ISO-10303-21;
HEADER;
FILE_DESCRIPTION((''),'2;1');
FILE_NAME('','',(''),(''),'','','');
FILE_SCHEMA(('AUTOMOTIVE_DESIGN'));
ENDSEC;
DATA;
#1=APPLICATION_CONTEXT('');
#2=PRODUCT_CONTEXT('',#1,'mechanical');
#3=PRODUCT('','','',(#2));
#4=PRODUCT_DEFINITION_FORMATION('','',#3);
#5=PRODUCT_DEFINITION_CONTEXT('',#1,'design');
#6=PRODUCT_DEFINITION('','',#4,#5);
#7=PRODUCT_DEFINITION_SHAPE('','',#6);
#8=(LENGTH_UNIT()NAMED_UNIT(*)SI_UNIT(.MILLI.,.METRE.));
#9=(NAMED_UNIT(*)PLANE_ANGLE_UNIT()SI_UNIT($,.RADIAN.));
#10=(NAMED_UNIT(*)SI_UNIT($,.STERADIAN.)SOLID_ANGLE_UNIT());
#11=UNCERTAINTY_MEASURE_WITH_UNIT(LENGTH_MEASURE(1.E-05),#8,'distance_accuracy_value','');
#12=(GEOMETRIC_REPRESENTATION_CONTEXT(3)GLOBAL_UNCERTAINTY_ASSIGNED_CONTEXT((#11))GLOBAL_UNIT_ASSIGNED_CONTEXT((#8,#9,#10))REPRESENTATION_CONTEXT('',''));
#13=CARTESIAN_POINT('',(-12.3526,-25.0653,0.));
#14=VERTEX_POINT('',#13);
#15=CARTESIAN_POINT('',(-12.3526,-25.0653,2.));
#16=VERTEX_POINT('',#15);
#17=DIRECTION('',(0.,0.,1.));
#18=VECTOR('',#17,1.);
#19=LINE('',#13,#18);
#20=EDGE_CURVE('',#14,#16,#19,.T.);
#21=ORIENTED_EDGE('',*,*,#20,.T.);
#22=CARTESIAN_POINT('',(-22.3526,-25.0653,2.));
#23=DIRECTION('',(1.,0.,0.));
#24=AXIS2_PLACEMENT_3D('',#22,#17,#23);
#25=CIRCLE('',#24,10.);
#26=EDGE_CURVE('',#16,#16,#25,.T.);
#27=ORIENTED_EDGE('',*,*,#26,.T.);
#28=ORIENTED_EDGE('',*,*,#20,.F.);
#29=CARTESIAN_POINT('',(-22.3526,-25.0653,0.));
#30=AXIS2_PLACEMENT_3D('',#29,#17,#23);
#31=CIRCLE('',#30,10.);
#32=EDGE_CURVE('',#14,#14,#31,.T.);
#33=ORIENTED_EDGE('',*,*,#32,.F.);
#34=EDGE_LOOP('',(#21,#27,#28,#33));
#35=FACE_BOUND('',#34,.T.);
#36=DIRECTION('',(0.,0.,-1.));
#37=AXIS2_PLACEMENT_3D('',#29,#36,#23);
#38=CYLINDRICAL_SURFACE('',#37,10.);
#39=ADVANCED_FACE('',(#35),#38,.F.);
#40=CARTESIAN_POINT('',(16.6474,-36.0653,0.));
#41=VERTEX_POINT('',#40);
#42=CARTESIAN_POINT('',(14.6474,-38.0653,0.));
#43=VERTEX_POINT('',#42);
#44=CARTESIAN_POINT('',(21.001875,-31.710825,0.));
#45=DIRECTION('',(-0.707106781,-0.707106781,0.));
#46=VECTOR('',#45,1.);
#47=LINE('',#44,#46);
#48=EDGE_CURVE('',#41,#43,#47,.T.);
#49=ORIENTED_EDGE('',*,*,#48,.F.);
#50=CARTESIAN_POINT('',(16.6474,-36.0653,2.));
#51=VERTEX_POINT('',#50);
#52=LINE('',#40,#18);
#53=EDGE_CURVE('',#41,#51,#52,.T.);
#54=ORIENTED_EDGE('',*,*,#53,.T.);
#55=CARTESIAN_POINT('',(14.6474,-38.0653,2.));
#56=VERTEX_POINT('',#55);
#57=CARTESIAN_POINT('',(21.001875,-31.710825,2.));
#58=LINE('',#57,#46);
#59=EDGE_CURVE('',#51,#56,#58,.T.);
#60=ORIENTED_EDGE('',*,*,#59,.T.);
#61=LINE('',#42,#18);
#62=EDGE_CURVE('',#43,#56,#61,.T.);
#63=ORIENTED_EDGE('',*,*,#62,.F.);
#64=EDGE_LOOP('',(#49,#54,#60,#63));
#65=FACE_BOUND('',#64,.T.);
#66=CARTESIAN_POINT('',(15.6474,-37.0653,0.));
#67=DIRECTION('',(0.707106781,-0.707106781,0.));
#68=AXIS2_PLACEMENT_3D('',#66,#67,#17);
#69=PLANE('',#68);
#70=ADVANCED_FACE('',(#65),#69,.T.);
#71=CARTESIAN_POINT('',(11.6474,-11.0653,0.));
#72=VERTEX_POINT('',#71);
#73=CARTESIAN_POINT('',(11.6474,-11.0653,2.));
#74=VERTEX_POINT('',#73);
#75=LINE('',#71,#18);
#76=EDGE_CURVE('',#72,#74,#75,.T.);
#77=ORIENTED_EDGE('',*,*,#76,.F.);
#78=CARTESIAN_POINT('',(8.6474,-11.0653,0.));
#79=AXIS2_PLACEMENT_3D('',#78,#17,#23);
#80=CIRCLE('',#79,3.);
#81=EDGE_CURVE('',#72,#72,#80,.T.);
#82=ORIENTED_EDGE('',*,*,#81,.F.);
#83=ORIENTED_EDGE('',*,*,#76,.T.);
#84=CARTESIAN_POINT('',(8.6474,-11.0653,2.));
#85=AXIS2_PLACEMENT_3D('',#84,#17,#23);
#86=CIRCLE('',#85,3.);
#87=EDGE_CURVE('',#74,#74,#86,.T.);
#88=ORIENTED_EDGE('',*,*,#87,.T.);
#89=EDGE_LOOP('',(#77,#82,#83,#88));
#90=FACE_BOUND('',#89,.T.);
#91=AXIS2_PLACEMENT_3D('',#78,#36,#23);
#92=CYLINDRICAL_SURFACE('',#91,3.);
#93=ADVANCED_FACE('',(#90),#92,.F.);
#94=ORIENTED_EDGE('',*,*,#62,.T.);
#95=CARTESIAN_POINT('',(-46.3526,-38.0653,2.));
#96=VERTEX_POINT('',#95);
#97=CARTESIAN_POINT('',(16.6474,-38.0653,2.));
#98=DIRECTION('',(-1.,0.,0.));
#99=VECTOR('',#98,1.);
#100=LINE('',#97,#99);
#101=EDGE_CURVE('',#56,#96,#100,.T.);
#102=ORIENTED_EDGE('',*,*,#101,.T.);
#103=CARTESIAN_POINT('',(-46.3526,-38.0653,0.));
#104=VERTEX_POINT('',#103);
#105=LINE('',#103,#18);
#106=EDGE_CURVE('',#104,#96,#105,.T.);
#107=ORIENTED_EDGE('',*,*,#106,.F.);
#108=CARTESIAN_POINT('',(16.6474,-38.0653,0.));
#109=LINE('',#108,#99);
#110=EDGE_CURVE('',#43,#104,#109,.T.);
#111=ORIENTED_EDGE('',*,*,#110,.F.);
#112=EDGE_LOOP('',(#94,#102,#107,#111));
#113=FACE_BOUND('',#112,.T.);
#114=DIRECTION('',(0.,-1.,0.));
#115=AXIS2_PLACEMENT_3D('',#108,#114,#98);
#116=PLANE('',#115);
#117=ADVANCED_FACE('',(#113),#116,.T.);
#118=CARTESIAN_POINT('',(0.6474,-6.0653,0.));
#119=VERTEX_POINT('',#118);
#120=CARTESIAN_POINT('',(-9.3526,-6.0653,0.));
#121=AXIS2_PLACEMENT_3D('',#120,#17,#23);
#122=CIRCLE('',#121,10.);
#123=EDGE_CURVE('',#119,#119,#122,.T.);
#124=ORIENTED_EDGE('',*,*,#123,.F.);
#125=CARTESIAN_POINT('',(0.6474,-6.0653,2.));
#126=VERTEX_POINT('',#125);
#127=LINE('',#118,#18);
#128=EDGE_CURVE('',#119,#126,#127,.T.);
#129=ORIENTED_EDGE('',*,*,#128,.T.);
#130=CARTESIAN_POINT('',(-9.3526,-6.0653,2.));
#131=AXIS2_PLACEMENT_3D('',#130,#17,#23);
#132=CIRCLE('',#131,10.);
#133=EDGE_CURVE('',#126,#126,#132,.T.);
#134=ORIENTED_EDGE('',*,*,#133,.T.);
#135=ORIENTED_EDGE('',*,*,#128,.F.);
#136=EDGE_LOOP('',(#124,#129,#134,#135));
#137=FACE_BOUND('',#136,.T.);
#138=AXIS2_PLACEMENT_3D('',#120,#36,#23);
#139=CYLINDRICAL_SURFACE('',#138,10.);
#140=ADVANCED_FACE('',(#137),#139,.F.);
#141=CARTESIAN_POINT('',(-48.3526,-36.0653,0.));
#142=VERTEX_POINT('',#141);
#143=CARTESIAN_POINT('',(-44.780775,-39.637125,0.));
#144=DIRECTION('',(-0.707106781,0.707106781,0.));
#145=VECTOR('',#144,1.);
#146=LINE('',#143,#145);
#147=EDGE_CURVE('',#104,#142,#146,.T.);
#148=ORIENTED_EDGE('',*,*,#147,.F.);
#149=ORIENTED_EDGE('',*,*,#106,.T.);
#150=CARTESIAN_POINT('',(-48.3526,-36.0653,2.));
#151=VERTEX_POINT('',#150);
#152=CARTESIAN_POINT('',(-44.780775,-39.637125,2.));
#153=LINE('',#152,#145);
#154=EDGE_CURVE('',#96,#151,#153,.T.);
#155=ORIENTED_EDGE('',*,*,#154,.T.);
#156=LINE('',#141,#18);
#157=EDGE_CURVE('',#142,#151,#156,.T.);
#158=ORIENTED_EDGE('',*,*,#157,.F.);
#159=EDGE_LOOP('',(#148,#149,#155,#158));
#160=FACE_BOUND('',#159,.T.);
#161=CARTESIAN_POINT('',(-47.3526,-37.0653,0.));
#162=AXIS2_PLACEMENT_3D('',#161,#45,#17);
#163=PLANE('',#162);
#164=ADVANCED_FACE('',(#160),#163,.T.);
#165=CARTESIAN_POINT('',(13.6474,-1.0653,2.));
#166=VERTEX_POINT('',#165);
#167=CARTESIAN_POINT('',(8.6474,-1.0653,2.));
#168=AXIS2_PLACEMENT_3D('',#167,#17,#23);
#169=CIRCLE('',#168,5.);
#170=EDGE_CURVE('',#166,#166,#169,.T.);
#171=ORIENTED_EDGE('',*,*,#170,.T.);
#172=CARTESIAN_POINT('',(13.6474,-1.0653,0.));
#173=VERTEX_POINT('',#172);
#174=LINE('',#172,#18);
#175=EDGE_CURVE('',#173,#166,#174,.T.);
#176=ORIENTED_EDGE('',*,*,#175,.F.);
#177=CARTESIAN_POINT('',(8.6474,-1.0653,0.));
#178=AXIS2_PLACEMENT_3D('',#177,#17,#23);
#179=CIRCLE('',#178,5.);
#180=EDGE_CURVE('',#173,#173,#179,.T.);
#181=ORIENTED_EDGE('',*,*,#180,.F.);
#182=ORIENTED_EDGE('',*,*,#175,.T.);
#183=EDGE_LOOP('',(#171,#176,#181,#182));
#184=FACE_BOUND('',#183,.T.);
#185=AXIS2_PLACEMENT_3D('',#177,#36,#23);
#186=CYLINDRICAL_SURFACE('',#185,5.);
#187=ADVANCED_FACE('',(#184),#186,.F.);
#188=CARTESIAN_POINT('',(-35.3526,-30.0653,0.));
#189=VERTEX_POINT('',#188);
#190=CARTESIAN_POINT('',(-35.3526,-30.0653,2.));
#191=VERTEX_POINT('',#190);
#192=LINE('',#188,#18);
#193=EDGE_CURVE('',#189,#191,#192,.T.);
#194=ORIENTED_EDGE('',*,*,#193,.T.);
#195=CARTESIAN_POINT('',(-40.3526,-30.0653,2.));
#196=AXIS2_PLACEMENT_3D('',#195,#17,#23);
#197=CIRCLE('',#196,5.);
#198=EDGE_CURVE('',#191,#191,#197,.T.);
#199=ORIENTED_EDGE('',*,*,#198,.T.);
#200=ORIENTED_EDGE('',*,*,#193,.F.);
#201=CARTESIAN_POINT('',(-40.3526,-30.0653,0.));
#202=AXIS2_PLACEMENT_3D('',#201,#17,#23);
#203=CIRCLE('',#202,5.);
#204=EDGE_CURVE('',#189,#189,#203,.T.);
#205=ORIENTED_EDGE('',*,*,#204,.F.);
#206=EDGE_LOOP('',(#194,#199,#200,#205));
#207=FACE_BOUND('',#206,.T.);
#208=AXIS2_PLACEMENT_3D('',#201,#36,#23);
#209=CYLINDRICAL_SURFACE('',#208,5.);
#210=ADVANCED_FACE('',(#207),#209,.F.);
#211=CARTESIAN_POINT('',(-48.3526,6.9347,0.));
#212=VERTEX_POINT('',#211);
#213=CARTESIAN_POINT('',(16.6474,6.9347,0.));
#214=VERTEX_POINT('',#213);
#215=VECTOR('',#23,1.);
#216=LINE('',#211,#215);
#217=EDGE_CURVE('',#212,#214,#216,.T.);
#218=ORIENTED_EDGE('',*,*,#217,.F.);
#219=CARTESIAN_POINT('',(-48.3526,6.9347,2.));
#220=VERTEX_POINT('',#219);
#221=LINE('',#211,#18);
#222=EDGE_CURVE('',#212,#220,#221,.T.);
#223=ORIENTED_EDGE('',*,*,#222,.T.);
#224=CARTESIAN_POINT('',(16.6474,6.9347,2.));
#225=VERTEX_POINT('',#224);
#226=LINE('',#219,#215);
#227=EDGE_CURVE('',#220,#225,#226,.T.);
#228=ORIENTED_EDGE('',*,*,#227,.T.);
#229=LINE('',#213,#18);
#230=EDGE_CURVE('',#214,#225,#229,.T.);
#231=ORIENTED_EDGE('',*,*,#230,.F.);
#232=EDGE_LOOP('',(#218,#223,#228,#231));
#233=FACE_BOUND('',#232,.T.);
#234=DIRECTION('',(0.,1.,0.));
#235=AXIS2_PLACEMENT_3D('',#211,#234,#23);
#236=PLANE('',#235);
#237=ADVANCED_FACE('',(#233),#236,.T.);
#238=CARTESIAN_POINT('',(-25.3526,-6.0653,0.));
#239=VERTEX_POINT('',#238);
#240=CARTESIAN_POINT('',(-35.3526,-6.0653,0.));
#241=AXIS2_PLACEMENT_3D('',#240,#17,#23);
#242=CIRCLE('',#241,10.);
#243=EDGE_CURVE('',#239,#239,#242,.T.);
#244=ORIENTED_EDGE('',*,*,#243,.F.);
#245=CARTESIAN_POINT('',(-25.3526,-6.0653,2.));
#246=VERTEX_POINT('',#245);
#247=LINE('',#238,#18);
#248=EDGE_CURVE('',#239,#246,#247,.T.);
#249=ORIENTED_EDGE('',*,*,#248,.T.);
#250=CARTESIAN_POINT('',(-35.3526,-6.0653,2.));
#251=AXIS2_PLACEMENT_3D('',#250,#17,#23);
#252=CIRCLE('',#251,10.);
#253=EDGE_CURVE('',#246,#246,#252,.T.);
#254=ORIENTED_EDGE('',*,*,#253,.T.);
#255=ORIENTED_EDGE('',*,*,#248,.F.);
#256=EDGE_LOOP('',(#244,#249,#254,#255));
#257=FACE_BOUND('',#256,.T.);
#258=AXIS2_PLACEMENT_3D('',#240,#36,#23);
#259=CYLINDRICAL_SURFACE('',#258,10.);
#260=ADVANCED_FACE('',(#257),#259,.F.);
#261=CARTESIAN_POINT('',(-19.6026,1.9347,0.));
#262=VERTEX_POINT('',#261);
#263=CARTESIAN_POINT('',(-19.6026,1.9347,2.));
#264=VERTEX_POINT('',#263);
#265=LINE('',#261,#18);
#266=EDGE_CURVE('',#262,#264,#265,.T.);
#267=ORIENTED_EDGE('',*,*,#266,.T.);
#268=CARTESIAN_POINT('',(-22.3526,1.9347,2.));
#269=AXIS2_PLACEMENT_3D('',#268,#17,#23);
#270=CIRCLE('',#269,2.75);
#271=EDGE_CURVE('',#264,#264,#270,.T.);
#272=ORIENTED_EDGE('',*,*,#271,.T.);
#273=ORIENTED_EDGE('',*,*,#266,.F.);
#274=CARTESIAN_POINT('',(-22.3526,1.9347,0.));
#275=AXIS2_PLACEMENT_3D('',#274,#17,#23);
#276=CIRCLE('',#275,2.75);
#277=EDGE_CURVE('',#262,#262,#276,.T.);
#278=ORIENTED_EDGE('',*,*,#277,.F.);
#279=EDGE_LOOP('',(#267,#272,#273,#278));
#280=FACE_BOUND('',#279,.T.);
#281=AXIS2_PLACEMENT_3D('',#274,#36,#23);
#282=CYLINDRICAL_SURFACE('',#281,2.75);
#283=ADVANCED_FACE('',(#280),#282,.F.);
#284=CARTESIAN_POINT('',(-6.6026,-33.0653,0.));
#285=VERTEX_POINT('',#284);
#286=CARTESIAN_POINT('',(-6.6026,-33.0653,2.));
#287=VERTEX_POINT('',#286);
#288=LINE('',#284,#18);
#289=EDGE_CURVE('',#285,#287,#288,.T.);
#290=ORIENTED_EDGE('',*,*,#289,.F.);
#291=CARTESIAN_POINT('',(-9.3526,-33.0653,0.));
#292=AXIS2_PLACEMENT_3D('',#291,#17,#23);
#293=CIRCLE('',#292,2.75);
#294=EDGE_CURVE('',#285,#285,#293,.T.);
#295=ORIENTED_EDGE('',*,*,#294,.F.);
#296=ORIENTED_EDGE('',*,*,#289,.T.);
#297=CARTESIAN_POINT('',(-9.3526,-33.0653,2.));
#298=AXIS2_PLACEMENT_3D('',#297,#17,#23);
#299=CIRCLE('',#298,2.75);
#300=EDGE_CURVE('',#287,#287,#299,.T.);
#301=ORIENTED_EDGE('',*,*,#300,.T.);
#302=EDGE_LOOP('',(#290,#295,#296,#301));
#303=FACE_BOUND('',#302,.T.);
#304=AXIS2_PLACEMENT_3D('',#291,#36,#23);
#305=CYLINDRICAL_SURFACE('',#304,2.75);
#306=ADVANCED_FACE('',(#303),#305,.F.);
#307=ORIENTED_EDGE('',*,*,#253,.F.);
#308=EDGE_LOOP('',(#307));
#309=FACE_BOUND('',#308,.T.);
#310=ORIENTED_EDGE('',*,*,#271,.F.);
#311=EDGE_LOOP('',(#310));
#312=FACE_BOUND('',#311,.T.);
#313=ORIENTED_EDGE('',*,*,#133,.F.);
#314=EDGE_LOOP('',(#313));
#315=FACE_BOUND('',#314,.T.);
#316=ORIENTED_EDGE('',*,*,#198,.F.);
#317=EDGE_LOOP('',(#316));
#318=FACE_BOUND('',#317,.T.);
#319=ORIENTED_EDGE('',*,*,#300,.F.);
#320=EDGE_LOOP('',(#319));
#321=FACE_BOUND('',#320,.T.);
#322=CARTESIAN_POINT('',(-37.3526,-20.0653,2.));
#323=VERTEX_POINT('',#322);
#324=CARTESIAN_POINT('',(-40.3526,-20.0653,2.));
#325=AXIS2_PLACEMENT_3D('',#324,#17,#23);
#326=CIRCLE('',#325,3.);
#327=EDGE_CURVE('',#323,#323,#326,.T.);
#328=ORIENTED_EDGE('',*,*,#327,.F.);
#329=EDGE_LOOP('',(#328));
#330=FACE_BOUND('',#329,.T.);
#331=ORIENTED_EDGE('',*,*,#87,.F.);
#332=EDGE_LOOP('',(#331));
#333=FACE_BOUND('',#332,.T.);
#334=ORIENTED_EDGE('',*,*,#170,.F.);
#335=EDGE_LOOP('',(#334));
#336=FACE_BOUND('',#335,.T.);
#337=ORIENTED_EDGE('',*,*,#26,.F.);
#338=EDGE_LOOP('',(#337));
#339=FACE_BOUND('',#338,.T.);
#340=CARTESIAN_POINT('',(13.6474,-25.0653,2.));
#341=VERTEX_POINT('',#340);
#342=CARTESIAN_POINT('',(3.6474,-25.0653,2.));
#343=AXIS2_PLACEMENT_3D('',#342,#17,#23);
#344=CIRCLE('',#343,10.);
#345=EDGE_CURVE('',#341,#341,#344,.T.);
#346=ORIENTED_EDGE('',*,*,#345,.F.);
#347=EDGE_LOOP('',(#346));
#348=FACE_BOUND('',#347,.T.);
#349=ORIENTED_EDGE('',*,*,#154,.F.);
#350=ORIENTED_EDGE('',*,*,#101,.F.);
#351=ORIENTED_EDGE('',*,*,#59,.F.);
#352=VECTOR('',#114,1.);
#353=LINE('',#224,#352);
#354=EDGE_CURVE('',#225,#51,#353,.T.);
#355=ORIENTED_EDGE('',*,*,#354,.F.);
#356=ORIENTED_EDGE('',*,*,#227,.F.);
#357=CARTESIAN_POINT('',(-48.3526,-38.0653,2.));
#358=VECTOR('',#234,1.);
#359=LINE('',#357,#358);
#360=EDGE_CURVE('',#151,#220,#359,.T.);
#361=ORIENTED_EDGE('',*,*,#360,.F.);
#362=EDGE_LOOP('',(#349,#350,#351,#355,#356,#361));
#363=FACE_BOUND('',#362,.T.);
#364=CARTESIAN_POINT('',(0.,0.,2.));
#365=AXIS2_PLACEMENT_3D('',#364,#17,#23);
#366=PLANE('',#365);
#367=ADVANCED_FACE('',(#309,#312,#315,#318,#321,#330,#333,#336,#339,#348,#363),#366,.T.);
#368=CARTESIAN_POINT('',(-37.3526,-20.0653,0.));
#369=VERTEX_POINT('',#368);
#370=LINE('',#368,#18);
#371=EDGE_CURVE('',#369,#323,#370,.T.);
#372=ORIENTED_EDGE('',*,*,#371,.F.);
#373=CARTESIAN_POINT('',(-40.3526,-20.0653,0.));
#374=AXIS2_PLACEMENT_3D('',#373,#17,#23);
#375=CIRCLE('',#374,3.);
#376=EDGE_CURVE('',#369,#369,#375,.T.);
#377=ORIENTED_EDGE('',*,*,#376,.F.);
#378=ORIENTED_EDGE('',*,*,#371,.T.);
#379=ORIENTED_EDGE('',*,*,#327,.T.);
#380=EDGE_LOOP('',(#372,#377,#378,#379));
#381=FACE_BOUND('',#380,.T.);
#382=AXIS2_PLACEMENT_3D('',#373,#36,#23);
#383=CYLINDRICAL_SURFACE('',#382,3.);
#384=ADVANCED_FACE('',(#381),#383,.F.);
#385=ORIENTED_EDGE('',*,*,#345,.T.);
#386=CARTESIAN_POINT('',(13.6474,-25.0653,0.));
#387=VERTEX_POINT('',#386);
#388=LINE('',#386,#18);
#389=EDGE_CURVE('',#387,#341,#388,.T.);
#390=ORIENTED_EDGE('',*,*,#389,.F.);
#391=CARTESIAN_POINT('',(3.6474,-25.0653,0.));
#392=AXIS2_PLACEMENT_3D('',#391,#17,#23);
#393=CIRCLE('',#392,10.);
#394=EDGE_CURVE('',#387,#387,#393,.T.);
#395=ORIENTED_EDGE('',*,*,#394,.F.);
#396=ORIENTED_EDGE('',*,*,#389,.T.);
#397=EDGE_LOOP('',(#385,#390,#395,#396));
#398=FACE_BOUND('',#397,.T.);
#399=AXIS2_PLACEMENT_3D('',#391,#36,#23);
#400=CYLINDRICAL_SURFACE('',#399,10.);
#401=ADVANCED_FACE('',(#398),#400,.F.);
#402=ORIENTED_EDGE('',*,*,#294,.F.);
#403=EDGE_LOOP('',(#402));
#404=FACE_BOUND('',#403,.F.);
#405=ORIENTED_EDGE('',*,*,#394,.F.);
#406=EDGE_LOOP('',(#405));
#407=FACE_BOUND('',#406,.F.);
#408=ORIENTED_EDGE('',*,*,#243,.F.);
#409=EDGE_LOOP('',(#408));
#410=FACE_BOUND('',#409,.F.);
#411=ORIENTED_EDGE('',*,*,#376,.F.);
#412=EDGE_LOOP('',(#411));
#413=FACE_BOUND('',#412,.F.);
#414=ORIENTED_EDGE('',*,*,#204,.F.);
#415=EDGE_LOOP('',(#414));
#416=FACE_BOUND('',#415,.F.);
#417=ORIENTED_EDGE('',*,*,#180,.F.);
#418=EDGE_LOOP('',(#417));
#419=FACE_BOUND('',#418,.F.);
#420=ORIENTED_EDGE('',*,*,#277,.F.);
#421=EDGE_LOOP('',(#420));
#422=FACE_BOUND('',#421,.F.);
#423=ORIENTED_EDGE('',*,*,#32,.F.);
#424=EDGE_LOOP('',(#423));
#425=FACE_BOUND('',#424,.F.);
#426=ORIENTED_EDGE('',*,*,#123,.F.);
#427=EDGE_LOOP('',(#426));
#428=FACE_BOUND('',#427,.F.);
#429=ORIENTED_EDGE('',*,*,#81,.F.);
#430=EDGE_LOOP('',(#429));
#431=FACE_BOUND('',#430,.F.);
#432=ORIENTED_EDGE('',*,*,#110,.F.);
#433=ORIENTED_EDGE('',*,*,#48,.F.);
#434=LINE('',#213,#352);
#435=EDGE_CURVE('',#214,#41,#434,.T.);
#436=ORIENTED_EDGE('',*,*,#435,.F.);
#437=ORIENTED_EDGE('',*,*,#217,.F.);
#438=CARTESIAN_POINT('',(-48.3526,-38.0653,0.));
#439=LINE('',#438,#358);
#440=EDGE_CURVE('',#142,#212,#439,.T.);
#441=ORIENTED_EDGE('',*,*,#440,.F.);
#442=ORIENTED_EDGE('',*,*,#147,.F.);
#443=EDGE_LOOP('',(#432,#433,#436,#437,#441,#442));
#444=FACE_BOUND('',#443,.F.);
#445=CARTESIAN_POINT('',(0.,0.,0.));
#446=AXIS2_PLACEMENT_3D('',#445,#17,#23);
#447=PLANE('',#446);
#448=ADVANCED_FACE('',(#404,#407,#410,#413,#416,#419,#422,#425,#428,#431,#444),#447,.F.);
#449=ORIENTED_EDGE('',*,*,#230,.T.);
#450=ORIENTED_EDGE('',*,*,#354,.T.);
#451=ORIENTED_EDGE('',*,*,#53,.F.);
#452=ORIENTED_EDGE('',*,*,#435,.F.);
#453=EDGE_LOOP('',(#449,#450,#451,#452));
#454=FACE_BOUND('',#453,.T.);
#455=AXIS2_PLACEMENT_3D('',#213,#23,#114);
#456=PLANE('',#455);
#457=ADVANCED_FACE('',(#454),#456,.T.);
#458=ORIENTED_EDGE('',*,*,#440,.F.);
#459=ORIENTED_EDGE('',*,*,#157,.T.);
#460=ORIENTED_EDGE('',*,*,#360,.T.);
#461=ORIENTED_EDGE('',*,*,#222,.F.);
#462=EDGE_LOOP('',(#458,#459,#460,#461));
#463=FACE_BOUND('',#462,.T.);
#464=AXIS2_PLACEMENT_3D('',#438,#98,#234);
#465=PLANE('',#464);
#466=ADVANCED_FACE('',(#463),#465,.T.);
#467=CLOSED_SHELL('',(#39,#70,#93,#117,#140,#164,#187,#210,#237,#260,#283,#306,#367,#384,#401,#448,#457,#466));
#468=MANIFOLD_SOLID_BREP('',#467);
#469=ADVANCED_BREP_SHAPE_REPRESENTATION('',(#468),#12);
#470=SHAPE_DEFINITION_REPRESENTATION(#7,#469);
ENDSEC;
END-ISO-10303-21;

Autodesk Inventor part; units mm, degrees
ref_plane "YZ Plane" through (0, 0, 0) normal (1, 0, 0) x (0, 1, 0)
ref_plane "XZ Plane" through (0, 0, 0) normal (0, 1, 0) x (-1, 0, 0)
ref_plane "XY Plane" through (0, 0, 0) normal (0, 0, 1) x (1, 0, 0)
sketch "Sketch1" plane through (0, 0, 0) normal (0, 0, 1) x (1, 0, 0)
  line L0 (-48.3526, 6.9347) -> (16.6474, 6.9347)
  line L1 (16.6474, 6.9347) -> (16.6474, -38.0653)
  line L2 (16.6474, -38.0653) -> (-48.3526, -38.0653)
  line L3 (-48.3526, -38.0653) -> (-48.3526, 6.9347)
  circle A0 centre (-35.3526, -6.0653) radius 10
  circle A1 centre (-22.3526, -25.0653) radius 10
  circle A2 centre (-9.3526, -6.0653) radius 10
  circle A3 centre (3.6474, -25.0653) radius 10
  circle A4 centre (-40.3526, -30.0653) radius 5
  circle A5 centre (8.6474, -1.0653) radius 5
  circle A6 centre (-40.3526, -20.0653) radius 3
  circle A7 centre (8.6474, -11.0653) radius 3
  circle A8 centre (-9.3526, -33.0653) radius 2.75
  circle A9 centre (-22.3526, 1.9347) radius 2.75
  dimension "d1" = 65
  dimension "d2" = 45
  dimension "d3" = 20
  dimension "d10" = 13
  dimension "d11" = 13
  dimension "d40" = 20
  dimension "d41" = 20
  dimension "d42" = 20
  dimension "d43" = 13
  dimension "d44" = 13
  dimension "d45" = 39
  dimension "d46" = 39
  dimension "d47" = 10
  dimension "d48" = 10
  dimension "d49" = 8
  dimension "d50" = 8
  dimension "d51" = 8
  dimension "d52" = 8
  dimension "d53" = 6
  dimension "d54" = 6
  dimension "d55" = 18
  dimension "d56" = 18
  dimension "d57" = 5.5
  dimension "d58" = 5.5
  dimension "d59" = 5
  dimension "d60" = 5
extrude "Extrusion1" add sketch "Sketch1" along normal blind 2
chamfer "Chamfer2" distance 2 angle 45 2 edges at (-48.3526, -38.0653, 1) (16.6474, -38.0653, 1)
equation "\"d10\" = d11"
equation "\"d40\" = d3"
equation "\"d41\" = d3"
equation "\"d42\" = d3"
equation "\"d43\" = d11"
equation "\"d44\" = d11"
properties part number "CNCM_ALU_First_sieve" material "Aluminum 6061"
